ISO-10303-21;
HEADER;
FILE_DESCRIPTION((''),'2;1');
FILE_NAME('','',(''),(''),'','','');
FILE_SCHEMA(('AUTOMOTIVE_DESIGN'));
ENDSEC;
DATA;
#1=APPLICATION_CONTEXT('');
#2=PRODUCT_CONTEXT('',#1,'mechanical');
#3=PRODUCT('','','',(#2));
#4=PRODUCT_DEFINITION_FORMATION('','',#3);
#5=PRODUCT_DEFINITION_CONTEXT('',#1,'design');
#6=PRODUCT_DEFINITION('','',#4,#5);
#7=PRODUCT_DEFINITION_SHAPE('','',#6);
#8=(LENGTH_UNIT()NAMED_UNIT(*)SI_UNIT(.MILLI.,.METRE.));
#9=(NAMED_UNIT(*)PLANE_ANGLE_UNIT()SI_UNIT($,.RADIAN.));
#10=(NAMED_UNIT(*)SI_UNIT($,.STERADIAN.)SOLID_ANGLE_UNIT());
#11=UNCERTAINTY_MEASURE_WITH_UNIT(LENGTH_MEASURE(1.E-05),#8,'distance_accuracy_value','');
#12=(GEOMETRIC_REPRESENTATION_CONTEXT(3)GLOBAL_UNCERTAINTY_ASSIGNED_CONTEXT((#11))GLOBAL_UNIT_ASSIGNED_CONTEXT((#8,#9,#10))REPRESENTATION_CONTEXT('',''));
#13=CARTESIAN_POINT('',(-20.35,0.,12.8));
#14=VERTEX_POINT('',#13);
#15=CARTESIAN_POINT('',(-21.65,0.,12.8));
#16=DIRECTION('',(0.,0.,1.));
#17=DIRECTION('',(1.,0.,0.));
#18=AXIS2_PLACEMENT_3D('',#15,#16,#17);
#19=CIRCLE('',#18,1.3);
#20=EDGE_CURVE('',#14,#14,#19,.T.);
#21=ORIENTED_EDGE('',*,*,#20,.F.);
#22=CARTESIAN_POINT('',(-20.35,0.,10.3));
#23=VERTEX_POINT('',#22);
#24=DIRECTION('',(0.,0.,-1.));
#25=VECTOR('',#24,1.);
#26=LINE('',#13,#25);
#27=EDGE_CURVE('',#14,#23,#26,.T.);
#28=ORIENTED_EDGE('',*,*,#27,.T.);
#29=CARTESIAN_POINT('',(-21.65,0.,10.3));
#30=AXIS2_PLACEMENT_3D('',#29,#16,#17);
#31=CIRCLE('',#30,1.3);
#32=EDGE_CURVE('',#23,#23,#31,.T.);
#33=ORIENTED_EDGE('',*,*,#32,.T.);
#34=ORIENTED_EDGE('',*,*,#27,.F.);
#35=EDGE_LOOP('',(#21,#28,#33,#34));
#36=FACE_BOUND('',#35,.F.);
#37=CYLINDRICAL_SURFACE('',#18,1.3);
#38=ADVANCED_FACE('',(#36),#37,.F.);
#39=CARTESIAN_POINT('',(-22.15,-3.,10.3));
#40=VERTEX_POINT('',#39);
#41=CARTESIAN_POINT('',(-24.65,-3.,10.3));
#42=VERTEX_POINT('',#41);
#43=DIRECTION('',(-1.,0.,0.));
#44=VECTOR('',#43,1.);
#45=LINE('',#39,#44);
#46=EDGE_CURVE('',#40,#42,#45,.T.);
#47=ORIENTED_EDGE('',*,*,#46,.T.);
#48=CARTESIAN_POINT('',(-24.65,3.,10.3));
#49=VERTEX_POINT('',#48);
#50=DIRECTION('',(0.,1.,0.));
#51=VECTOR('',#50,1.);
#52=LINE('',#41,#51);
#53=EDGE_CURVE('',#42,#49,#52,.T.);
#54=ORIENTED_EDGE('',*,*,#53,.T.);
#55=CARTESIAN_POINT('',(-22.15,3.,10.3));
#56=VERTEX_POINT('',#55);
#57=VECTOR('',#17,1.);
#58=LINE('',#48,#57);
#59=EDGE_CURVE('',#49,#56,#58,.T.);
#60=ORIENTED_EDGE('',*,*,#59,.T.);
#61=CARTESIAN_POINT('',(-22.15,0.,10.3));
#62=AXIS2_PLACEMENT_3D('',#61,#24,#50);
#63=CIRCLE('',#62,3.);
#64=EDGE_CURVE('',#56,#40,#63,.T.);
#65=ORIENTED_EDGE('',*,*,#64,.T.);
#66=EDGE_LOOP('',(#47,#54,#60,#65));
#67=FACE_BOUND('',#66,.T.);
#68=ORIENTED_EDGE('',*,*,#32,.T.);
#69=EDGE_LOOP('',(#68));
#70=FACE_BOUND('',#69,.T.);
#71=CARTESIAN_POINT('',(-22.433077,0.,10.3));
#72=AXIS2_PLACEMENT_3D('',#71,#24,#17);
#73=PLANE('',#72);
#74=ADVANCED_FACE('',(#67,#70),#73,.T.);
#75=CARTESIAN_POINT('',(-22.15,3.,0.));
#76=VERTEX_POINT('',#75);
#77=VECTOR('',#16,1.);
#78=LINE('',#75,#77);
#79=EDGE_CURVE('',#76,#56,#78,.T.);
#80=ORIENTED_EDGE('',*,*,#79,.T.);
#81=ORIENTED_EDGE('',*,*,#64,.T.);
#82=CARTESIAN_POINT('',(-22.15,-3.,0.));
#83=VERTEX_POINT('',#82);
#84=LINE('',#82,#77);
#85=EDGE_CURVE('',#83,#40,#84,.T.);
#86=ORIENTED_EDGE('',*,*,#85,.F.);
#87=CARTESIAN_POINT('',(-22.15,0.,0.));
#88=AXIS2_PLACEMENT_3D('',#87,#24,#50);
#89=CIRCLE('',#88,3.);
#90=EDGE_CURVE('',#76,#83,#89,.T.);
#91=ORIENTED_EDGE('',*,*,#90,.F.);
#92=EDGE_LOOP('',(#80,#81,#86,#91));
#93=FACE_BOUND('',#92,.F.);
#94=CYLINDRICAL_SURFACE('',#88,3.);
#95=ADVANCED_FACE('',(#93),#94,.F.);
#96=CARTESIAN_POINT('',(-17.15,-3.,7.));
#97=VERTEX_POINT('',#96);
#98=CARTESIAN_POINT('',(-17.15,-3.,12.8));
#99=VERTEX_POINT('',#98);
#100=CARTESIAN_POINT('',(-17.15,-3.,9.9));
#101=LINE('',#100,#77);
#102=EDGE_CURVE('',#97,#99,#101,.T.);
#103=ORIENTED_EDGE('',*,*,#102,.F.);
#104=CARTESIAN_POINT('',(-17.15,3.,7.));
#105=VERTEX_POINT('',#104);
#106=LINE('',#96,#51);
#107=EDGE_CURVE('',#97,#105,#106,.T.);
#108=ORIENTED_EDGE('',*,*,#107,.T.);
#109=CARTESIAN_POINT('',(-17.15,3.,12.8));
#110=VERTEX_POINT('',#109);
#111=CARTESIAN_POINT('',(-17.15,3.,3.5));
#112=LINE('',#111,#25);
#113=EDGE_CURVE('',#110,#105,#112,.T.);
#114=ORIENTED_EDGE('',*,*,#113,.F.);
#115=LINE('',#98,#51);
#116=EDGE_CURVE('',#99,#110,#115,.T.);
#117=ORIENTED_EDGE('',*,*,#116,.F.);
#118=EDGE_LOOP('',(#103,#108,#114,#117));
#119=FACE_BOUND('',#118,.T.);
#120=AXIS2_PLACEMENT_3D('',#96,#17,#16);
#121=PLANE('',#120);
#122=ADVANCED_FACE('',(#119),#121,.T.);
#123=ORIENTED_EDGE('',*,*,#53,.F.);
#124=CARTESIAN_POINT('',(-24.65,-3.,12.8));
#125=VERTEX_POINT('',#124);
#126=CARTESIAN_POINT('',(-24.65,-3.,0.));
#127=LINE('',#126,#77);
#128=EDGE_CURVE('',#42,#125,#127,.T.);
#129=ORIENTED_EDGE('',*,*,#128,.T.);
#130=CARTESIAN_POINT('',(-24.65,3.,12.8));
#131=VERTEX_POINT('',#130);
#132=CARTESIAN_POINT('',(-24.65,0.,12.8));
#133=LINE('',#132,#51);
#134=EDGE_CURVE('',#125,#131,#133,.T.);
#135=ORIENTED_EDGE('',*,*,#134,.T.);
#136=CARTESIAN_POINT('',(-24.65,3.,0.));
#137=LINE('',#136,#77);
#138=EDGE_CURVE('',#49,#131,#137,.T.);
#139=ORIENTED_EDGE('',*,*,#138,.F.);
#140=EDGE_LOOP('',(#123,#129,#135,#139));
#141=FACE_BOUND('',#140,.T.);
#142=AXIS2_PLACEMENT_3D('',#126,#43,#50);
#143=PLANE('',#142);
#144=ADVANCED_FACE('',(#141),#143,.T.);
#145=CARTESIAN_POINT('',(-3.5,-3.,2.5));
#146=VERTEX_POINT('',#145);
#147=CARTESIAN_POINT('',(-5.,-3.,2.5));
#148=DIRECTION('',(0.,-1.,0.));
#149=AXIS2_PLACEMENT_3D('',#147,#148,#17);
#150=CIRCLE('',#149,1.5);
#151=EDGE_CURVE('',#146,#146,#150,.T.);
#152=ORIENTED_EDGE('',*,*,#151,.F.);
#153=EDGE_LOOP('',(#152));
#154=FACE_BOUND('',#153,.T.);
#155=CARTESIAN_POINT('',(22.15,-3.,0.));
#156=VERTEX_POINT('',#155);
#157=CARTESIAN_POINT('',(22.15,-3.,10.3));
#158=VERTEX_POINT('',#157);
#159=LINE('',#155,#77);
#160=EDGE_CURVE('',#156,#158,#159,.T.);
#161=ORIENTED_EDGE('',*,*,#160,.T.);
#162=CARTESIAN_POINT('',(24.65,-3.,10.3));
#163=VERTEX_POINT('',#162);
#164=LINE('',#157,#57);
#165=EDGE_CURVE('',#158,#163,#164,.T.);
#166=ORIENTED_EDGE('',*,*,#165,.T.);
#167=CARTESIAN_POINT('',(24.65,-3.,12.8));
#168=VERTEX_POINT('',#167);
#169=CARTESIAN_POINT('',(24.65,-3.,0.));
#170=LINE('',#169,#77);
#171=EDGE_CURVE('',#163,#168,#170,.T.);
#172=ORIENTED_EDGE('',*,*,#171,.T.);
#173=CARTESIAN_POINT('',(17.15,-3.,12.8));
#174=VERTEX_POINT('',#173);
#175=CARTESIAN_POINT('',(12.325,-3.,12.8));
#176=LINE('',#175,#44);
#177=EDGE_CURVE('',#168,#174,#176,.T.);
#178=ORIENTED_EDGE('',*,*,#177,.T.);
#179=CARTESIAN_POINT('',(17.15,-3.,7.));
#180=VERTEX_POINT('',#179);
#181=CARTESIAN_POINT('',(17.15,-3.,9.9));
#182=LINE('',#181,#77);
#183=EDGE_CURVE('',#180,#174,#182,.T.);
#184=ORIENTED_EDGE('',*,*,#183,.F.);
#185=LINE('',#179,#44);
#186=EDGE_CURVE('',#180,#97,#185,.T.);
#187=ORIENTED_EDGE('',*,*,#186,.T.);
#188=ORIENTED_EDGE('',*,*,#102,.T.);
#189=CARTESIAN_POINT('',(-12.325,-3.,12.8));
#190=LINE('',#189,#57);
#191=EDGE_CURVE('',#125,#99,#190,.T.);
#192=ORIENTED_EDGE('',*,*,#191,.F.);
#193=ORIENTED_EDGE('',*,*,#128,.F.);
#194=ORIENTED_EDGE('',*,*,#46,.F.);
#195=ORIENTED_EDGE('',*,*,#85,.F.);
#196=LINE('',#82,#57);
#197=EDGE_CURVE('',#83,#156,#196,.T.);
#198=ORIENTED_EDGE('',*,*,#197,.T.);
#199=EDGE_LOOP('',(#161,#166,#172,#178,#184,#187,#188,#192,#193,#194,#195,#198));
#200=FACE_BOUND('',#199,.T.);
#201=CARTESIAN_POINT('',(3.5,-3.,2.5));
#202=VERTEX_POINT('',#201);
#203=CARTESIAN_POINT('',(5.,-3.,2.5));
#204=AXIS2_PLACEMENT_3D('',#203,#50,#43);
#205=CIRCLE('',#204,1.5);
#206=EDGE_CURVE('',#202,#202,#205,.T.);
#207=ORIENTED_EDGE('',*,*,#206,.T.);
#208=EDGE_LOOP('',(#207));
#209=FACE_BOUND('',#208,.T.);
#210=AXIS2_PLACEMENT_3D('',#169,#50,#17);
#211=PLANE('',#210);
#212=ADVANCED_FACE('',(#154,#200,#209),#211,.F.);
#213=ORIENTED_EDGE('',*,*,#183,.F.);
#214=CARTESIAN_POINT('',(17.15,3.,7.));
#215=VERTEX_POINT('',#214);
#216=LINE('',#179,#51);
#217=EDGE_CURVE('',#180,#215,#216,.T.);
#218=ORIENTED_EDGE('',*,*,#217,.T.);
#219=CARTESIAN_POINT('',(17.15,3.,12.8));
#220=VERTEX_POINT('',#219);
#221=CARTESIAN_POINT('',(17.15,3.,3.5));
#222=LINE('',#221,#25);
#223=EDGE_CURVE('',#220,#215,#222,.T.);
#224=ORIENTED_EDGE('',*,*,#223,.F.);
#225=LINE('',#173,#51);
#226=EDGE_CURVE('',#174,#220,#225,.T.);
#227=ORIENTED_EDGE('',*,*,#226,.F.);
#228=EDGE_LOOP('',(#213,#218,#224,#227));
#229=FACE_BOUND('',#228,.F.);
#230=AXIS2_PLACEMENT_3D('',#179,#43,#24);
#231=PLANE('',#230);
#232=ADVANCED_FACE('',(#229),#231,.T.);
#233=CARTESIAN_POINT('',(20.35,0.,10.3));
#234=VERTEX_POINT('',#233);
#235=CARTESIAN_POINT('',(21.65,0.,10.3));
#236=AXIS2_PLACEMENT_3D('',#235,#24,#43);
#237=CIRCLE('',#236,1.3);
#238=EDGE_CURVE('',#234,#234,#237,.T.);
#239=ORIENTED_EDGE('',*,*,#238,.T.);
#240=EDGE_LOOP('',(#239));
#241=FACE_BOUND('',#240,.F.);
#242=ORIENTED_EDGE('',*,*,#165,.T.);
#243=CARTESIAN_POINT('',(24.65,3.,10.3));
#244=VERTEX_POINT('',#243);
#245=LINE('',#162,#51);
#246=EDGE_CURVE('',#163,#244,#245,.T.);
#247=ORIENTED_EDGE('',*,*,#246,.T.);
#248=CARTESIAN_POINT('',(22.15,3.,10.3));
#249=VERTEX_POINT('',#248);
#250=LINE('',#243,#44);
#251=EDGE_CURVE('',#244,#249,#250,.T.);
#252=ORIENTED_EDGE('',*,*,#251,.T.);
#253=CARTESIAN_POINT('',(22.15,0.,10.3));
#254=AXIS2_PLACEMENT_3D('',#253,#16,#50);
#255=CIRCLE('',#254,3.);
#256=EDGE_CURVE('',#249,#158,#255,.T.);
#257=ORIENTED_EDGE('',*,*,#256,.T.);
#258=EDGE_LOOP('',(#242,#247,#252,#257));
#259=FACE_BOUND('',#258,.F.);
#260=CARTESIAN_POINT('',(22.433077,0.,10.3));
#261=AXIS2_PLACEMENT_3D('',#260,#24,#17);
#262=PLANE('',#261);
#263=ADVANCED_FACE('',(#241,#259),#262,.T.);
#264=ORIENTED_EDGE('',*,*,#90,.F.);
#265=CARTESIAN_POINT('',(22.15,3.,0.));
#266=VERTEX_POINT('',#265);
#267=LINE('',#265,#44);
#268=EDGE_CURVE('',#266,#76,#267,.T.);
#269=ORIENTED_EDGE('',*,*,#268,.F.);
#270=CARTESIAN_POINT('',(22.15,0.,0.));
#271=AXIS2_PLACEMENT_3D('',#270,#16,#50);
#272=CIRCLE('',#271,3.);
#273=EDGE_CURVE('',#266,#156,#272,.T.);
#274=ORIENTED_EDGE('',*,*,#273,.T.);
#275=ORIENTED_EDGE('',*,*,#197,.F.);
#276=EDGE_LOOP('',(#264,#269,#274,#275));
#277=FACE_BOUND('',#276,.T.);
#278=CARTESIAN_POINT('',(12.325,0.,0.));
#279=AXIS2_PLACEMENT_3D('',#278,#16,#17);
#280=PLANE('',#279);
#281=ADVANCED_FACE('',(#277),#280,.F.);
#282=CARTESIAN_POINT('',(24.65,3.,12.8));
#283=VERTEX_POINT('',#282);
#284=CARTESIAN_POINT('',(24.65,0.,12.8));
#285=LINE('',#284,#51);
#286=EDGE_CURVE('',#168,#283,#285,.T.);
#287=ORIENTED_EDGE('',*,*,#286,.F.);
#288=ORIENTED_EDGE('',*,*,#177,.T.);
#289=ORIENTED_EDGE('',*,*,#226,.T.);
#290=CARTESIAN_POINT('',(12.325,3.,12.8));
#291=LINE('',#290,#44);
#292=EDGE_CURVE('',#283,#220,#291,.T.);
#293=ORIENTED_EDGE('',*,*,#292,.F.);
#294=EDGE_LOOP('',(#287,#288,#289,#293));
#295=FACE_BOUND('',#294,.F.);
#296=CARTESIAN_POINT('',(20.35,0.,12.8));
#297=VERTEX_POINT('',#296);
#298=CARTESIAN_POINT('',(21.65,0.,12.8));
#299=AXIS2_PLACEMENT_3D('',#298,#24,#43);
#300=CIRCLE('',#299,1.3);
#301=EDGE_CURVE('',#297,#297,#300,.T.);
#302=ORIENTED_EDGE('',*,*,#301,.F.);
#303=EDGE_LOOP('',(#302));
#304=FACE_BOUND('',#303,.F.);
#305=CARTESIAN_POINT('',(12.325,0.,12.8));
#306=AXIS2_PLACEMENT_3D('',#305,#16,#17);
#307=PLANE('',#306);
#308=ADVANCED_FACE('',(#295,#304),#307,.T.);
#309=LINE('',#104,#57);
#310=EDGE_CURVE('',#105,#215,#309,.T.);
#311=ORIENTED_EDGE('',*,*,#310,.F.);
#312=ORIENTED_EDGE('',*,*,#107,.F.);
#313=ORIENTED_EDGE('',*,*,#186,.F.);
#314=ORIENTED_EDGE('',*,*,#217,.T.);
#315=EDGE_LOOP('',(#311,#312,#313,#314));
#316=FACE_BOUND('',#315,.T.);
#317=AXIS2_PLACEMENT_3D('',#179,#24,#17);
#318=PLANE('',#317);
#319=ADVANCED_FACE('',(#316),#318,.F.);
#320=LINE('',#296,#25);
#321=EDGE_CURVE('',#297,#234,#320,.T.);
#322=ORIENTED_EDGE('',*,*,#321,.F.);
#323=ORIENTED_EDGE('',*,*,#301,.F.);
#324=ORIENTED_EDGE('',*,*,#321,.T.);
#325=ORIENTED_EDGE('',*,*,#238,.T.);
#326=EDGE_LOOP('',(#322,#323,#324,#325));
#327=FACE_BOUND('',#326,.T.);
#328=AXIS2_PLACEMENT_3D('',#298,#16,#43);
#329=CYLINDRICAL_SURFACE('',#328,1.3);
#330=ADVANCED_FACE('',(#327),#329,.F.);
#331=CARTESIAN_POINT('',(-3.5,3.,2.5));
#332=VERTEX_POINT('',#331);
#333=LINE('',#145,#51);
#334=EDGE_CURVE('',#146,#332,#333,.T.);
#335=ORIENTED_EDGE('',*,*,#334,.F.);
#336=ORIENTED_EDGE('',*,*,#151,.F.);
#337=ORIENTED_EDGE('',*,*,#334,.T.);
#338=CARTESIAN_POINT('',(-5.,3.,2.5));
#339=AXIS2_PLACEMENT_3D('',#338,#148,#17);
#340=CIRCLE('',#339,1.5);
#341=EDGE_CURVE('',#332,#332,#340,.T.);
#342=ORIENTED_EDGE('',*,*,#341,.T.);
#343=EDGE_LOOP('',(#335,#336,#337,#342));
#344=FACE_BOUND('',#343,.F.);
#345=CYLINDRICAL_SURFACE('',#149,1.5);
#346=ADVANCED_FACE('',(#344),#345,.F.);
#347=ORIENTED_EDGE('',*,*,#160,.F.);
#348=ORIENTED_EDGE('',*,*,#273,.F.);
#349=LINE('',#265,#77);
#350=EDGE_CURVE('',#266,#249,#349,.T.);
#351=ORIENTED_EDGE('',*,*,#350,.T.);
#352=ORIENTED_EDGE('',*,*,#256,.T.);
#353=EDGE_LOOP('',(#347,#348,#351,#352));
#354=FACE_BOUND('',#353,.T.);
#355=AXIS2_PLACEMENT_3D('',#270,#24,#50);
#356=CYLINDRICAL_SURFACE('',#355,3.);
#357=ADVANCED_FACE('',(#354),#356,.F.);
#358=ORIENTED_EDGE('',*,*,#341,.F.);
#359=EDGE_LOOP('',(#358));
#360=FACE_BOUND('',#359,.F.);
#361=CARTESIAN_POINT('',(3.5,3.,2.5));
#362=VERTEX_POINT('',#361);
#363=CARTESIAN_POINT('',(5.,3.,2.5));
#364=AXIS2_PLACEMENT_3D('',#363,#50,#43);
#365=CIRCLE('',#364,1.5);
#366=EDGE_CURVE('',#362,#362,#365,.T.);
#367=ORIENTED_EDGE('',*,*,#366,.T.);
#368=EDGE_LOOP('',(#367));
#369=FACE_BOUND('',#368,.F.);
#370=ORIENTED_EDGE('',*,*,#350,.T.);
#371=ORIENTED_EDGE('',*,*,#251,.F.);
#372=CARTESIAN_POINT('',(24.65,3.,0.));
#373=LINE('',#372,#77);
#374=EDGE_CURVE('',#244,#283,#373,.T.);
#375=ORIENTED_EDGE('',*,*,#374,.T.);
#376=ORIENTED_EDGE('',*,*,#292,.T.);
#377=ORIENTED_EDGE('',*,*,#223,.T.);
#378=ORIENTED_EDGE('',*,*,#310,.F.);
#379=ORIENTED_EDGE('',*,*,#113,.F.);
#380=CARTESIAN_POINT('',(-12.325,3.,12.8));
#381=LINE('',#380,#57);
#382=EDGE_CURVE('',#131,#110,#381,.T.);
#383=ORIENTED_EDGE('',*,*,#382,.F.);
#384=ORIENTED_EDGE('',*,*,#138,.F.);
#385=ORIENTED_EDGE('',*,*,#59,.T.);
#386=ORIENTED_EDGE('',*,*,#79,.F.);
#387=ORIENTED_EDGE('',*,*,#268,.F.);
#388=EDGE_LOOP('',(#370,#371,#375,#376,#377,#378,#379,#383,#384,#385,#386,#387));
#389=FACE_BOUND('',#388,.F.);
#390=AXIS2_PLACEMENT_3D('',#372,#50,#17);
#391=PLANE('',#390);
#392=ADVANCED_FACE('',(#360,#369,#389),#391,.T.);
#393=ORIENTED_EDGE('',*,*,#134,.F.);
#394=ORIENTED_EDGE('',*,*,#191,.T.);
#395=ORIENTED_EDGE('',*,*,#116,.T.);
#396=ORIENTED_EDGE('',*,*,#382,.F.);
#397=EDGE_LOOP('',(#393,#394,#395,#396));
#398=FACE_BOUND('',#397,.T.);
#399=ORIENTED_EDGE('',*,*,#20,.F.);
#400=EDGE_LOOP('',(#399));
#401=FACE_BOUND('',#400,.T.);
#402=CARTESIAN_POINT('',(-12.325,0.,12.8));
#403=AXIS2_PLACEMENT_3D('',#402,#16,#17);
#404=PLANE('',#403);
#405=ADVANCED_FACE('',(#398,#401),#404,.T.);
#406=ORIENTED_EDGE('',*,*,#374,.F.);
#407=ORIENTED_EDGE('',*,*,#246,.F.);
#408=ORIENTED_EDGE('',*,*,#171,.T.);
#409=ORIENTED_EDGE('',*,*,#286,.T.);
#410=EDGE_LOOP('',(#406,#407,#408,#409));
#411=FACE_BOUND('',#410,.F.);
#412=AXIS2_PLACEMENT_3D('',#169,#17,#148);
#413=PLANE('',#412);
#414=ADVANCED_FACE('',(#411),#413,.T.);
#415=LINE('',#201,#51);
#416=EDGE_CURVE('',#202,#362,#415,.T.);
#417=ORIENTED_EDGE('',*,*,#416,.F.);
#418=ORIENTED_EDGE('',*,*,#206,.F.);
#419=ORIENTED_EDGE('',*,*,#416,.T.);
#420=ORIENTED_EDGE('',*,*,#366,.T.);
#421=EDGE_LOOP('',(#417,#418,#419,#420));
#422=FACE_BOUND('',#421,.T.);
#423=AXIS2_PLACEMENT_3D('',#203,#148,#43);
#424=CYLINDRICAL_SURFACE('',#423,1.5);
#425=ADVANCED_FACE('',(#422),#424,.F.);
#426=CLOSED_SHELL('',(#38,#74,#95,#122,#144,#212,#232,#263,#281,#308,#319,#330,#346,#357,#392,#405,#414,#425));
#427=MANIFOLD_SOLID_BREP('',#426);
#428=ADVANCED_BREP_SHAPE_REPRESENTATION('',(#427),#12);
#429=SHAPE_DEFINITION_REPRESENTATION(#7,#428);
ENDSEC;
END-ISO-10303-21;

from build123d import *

# Parameters (mm, degrees)
F0_W     = 24.65
F0_H     = 6
F1_DEPTH = 12.8
F2_W     = 17.15
F2_H     = 5.8
F3_DEPTH = 25
F6_DEPTH = 10.3
F4_R     = 1.3
F7_DEPTH = 25
F8_R     = 1.5
F9_DEPTH = 25


with BuildPart() as f1:
    # F0 (on Top) → F1 (new body)
    with BuildSketch(Plane.XY):
        with Locations((-12.325, 0)):
            Rectangle(F0_W, F0_H)
    extrude(amount=F1_DEPTH)

    # F2 (on face) → F3 (cut)
    with BuildSketch(Plane.XZ.offset(3)):
        with Locations((-8.575, 9.9)):
            Rectangle(F2_W, F2_H)
    extrude(amount=-F3_DEPTH, mode=Mode.SUBTRACT)

    # F5 (on face) → F6 (cut)
    with BuildSketch(Plane(origin=(0, 0, 0), x_dir=(1, 0, 0), z_dir=(0, 0, -1))):
        with BuildLine():
            Line((-24.65, -3), (-22.15, -3))
            ThreePointArc((-22.15, -3), (-19.15, 0), (-22.15, 3))
            Line((-22.15, 3), (-24.65, 3))
            Line((-24.65, 3), (-24.65, -3))
        make_face()
    extrude(amount=-F6_DEPTH, mode=Mode.SUBTRACT)

    # F4 (on face) → F7 (cut)
    with BuildSketch(Plane.XY.offset(12.8)):
        with Locations((-21.65, 0)):
            Circle(F4_R)
    extrude(amount=-F7_DEPTH, mode=Mode.SUBTRACT)

    # F8 (on face) → F9 (cut)
    with BuildSketch(Plane.XZ.offset(3)):
        with Locations((-5, 2.5)):
            Circle(F8_R)
    extrude(amount=-F9_DEPTH, mode=Mode.SUBTRACT)

    # F10: F1 across face


with BuildPart() as f1_1:
    add(f1.part)
    add(f1.part.mirror(Plane(origin=(0, 0, 3.5), x_dir=(0, 1, 0), z_dir=(1, 0, 0))))


solid = f1_1.part
